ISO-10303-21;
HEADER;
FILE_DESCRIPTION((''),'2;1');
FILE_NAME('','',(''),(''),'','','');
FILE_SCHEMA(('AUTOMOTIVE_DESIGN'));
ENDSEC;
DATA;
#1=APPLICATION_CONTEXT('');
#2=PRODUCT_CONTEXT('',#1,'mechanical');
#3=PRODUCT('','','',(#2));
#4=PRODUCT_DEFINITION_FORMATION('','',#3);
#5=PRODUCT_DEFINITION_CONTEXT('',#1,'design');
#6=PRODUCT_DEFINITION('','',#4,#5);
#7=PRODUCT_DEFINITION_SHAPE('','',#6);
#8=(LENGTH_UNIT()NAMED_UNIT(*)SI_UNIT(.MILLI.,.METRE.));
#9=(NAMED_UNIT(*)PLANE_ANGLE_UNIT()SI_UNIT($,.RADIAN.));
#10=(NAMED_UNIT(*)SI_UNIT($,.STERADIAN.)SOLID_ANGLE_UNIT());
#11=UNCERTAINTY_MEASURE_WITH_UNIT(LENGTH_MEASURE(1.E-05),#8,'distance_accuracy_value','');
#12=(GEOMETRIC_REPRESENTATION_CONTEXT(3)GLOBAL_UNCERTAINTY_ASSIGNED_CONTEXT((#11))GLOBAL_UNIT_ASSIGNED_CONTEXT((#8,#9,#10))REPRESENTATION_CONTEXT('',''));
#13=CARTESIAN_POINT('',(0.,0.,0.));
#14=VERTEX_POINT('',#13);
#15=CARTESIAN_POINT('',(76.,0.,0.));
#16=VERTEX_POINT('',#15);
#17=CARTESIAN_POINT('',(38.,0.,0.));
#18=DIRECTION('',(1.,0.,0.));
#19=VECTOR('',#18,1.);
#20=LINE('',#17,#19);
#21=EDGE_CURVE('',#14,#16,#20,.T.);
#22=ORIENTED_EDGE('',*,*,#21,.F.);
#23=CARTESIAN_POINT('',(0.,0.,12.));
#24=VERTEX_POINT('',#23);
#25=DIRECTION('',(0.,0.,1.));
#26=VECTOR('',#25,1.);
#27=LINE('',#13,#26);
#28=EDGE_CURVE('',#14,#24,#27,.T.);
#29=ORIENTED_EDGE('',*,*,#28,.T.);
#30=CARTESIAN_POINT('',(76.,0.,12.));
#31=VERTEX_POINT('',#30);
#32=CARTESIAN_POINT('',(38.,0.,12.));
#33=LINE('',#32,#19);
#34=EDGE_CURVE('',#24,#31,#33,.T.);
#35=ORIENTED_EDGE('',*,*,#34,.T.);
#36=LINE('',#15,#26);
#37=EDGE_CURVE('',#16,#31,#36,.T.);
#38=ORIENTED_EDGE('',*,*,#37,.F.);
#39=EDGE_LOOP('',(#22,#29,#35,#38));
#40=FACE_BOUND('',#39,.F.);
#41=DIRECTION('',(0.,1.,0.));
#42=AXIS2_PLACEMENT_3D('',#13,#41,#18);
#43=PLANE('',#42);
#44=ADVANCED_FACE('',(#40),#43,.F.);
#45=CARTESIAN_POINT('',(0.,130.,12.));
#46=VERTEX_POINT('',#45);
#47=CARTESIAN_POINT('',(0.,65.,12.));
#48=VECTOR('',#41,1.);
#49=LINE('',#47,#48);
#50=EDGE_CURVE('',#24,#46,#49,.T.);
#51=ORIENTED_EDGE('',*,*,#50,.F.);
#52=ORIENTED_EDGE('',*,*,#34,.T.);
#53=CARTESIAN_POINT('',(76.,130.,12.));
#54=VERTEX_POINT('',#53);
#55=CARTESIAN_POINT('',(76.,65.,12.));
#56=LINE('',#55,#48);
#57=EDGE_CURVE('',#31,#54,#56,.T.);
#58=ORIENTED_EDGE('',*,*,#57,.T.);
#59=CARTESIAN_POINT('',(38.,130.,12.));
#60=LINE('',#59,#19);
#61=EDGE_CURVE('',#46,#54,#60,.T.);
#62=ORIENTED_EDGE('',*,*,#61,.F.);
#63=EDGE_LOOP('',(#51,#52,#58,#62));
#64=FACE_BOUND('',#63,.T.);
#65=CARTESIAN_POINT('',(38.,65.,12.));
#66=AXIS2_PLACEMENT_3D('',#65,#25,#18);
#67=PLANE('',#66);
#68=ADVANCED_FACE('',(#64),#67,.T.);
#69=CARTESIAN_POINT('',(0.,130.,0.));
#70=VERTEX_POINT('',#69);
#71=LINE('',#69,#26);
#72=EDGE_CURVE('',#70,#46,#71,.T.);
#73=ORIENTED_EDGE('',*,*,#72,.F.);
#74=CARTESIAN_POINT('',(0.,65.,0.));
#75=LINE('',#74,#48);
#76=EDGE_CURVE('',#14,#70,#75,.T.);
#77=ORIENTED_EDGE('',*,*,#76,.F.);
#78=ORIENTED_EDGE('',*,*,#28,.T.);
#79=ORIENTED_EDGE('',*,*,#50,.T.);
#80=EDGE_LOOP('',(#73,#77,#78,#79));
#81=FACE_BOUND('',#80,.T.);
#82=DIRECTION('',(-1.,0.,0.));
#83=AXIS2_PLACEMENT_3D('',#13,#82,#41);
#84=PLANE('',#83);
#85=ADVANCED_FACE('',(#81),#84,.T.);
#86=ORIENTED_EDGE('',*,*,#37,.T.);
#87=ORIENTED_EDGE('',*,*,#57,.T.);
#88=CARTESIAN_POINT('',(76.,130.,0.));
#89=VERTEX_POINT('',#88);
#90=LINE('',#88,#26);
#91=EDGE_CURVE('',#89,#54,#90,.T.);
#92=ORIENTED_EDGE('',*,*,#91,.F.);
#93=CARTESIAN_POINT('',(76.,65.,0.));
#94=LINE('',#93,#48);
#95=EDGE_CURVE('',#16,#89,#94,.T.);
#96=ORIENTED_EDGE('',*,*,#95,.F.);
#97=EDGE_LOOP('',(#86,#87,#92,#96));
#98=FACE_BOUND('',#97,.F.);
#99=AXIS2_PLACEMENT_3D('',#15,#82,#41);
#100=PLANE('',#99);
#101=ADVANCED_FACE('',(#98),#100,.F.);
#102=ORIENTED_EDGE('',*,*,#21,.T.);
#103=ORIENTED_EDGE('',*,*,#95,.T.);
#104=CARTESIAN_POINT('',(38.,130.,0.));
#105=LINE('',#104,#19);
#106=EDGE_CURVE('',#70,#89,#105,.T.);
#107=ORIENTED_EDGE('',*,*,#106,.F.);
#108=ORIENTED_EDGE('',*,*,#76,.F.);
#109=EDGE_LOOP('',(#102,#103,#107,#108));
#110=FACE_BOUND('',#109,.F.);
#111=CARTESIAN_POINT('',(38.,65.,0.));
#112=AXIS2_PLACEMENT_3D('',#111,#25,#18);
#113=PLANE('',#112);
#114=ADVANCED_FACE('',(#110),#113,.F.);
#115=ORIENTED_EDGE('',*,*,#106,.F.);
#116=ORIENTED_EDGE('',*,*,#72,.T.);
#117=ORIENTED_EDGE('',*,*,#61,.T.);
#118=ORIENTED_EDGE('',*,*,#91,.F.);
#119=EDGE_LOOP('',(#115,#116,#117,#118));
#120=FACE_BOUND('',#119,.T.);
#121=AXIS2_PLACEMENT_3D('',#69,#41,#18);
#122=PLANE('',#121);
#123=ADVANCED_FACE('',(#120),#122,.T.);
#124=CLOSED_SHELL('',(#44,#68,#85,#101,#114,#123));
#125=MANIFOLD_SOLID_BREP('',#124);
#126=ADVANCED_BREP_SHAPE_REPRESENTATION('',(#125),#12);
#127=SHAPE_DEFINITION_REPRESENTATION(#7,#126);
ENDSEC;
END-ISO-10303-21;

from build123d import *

# Parameters (mm, degrees)
SKETCH_W  = 76
SKETCH_H  = 130
PAD_DEPTH = 12


with BuildPart() as part:
    # Sketch → Pad (new body)
    with BuildSketch(Plane.XY):
        with Locations((38, 65)):
            Rectangle(SKETCH_W, SKETCH_H)
    extrude(amount=PAD_DEPTH)


solid = part.part
